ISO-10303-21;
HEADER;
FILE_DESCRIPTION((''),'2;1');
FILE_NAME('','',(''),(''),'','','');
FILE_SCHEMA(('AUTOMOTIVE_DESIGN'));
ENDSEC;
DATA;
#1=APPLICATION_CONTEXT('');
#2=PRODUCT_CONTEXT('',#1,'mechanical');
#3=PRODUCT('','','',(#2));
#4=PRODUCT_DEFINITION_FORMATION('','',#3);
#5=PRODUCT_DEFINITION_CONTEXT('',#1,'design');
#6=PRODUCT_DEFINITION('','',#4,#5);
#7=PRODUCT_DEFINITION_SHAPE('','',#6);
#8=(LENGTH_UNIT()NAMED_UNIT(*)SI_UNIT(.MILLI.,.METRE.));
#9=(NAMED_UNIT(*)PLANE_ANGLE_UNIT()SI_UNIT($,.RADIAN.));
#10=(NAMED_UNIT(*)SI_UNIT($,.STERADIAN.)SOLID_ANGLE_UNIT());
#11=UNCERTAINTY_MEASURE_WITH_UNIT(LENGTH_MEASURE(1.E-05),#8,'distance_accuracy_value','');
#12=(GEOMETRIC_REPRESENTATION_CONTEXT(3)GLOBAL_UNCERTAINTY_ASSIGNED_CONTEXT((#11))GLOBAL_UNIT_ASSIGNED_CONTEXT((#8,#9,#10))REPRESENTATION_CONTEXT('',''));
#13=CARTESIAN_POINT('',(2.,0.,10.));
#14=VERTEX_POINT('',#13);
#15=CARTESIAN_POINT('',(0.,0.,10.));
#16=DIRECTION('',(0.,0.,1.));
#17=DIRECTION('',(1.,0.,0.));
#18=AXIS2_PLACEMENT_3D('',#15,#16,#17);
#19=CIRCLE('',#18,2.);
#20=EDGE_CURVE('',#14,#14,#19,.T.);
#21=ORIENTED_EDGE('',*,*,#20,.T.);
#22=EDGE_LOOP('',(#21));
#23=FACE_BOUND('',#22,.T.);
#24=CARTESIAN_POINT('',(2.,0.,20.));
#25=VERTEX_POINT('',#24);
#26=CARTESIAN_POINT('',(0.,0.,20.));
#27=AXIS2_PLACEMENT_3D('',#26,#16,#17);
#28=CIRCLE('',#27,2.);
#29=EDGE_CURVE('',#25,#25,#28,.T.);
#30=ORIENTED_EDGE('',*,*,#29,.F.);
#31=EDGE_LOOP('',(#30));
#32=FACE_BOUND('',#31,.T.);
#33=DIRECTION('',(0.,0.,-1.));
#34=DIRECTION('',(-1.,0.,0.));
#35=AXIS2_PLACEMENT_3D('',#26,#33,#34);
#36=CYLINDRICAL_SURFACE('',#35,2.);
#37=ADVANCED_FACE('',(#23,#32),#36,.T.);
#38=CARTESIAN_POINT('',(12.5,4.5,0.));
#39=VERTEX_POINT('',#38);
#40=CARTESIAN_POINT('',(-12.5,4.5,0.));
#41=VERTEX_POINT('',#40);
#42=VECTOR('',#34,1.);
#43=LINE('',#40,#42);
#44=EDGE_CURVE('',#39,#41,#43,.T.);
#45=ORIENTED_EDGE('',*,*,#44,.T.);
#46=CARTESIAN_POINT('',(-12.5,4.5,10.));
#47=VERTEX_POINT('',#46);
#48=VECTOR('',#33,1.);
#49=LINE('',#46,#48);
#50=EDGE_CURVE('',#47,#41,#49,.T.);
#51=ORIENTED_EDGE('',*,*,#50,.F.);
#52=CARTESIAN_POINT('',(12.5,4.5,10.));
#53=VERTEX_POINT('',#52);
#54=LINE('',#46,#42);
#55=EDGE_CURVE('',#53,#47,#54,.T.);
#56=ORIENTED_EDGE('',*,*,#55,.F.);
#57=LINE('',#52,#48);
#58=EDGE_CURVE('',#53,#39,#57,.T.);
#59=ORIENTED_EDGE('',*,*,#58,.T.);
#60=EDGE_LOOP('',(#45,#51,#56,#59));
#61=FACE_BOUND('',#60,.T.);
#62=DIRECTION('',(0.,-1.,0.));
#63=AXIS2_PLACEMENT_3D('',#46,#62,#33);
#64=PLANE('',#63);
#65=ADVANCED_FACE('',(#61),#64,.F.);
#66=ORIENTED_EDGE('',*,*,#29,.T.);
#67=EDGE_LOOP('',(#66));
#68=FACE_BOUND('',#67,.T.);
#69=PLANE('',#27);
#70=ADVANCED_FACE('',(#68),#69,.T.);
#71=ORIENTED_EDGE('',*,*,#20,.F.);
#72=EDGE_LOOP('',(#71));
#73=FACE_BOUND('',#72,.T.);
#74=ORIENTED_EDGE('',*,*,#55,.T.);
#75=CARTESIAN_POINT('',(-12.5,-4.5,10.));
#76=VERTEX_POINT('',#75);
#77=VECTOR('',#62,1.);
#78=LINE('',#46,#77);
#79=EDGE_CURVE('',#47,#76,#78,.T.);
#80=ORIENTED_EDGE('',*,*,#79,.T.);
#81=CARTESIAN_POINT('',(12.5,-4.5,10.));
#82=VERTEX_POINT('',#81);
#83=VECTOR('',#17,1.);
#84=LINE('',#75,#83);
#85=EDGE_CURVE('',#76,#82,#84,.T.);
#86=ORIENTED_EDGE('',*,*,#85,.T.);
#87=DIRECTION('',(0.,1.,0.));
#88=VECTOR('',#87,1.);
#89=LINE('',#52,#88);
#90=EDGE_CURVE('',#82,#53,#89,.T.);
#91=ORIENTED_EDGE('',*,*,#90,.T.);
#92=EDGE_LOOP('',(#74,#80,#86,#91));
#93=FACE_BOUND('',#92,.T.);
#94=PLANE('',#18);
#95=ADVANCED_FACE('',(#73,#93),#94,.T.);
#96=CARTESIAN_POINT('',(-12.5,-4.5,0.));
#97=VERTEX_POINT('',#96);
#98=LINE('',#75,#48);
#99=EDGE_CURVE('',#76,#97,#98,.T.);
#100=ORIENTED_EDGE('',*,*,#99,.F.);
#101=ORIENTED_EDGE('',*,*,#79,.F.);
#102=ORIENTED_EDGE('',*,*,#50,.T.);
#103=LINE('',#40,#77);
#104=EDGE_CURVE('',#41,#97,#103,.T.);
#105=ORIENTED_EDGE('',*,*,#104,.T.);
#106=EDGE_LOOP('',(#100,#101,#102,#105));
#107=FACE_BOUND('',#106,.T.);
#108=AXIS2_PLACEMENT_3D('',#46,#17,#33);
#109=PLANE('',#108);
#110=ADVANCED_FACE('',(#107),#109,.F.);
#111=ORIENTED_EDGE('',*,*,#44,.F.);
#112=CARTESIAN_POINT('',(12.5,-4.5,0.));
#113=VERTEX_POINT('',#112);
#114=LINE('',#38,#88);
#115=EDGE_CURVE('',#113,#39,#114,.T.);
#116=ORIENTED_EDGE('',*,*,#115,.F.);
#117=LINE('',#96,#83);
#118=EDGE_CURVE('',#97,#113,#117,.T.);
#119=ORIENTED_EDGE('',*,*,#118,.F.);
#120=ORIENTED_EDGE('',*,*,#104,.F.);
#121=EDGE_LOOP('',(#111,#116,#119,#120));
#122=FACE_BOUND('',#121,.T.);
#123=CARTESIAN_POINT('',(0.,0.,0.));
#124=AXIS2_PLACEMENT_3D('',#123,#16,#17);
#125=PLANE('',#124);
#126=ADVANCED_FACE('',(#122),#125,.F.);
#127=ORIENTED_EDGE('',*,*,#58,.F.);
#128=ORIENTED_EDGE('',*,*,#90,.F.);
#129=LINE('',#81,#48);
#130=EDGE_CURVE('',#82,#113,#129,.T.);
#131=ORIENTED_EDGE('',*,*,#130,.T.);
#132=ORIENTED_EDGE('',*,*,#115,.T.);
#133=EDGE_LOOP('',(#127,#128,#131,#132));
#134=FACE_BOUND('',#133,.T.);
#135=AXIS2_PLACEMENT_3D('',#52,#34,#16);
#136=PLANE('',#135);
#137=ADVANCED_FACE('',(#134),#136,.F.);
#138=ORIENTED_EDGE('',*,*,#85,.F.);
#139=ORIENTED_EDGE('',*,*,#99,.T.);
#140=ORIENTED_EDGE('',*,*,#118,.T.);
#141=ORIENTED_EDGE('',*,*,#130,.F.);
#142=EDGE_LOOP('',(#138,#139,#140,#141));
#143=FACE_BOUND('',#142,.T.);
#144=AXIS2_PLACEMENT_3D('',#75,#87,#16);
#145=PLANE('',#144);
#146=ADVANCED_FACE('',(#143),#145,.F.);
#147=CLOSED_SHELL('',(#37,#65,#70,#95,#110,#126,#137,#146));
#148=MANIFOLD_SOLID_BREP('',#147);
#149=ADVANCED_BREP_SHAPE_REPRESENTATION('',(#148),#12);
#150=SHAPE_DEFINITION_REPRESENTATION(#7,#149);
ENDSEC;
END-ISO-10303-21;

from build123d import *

# Parameters (mm, degrees)
SKETCH1_W           = 25
SKETCH1_H           = 9
BOSS_EXTRUDE1_DEPTH = 10
SKETCH2_R           = 2
BOSS_EXTRUDE2_DEPTH = 10


with BuildPart() as part:
    # Sketch1 → Boss-Extrude1 (new body)
    with BuildSketch(Plane.XY):
        Rectangle(SKETCH1_W, SKETCH1_H)
    extrude(amount=BOSS_EXTRUDE1_DEPTH)

    # Sketch2 → Boss-Extrude2 (add)
    with BuildSketch(Plane.XY.offset(10)):
        Circle(SKETCH2_R)
    extrude(amount=BOSS_EXTRUDE2_DEPTH)


solid = part.part
